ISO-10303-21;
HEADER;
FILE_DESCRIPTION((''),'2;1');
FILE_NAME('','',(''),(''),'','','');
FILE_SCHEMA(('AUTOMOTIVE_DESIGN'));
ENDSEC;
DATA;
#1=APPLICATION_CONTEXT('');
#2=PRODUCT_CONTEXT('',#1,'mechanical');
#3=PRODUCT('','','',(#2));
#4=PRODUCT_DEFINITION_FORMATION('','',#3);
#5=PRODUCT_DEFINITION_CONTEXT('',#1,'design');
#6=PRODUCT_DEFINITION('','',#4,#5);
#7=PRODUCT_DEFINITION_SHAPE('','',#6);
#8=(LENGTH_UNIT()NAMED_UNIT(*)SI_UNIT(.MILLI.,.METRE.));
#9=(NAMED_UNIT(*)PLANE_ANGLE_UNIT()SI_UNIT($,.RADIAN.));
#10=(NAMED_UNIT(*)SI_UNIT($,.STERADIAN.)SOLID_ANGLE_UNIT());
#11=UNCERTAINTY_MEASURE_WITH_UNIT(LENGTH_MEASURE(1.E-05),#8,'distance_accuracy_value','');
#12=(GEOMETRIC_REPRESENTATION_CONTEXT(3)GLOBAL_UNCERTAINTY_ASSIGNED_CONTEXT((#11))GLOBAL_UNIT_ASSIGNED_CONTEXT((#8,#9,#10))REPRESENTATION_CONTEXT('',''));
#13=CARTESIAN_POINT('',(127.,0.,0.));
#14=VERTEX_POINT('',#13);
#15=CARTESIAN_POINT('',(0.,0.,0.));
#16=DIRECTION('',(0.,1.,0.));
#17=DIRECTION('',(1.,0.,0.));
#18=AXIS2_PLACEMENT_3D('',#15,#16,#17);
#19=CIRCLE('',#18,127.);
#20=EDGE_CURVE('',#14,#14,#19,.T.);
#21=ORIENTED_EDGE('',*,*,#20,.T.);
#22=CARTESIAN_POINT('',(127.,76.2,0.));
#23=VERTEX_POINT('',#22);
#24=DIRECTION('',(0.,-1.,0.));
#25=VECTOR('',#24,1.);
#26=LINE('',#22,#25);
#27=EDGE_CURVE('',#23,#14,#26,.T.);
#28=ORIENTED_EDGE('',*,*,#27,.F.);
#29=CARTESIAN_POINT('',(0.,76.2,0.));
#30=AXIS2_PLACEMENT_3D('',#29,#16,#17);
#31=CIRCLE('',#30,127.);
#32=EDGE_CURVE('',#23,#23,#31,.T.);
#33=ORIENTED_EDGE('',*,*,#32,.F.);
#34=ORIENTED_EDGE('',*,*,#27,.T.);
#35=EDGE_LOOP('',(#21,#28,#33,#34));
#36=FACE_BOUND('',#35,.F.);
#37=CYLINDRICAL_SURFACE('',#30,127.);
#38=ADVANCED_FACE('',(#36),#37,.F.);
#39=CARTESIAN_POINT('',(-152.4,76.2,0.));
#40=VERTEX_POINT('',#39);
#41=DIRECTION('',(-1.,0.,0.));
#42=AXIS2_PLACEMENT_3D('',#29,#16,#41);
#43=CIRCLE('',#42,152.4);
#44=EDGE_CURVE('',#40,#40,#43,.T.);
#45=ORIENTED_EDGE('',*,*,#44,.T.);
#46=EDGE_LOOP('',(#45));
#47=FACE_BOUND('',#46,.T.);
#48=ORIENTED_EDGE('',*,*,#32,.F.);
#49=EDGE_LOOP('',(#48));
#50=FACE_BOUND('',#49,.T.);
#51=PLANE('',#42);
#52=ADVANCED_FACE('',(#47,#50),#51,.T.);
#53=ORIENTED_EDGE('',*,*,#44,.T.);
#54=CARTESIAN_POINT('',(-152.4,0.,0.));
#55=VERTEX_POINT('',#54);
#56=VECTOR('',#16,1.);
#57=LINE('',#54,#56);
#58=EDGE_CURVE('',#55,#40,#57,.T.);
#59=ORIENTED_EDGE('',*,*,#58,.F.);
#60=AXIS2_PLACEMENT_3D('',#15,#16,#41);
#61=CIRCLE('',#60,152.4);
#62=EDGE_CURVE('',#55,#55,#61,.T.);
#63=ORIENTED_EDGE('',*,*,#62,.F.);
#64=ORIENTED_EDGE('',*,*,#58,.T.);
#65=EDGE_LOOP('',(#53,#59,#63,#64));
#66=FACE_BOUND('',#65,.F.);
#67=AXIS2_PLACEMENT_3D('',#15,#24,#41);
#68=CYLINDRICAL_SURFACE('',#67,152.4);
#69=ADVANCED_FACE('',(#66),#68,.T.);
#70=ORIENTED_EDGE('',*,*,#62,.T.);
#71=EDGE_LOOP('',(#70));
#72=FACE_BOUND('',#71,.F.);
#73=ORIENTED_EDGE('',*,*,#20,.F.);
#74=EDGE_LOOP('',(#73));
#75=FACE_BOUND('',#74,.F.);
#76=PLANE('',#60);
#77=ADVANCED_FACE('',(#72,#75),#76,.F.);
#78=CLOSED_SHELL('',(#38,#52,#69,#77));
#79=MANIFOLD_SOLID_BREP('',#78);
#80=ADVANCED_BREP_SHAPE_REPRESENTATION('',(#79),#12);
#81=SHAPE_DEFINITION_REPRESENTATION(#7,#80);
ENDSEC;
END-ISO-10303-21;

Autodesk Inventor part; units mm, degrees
ref_plane "YZ Plane" through (0, 0, 0) normal (1, 0, 0) x (0, 1, 0)
ref_plane "XZ Plane" through (0, 0, 0) normal (0, 1, 0) x (-1, 0, 0)
ref_plane "XY Plane" through (0, 0, 0) normal (0, 0, 1) x (1, 0, 0)
sketch "Sketch1" plane through (0, 0, 0) normal (0, 1, 0) x (-1, 0, 0)
  circle A0 centre (0, 0) radius 152.4
  dimension "d0" = 304.8
extrude "Extrusion1" add sketch "Sketch1" along normal blind 76.2
sketch "Sketch2" plane through (0, 76.2, 0) normal (0, 1, 0) x (1, 0, 0)
  circle A0 centre (0, 0) radius 127
  dimension "d3" = 254
extrude "Extrusion2" cut sketch "Sketch2" against normal through all
properties part number "capistan lower"
